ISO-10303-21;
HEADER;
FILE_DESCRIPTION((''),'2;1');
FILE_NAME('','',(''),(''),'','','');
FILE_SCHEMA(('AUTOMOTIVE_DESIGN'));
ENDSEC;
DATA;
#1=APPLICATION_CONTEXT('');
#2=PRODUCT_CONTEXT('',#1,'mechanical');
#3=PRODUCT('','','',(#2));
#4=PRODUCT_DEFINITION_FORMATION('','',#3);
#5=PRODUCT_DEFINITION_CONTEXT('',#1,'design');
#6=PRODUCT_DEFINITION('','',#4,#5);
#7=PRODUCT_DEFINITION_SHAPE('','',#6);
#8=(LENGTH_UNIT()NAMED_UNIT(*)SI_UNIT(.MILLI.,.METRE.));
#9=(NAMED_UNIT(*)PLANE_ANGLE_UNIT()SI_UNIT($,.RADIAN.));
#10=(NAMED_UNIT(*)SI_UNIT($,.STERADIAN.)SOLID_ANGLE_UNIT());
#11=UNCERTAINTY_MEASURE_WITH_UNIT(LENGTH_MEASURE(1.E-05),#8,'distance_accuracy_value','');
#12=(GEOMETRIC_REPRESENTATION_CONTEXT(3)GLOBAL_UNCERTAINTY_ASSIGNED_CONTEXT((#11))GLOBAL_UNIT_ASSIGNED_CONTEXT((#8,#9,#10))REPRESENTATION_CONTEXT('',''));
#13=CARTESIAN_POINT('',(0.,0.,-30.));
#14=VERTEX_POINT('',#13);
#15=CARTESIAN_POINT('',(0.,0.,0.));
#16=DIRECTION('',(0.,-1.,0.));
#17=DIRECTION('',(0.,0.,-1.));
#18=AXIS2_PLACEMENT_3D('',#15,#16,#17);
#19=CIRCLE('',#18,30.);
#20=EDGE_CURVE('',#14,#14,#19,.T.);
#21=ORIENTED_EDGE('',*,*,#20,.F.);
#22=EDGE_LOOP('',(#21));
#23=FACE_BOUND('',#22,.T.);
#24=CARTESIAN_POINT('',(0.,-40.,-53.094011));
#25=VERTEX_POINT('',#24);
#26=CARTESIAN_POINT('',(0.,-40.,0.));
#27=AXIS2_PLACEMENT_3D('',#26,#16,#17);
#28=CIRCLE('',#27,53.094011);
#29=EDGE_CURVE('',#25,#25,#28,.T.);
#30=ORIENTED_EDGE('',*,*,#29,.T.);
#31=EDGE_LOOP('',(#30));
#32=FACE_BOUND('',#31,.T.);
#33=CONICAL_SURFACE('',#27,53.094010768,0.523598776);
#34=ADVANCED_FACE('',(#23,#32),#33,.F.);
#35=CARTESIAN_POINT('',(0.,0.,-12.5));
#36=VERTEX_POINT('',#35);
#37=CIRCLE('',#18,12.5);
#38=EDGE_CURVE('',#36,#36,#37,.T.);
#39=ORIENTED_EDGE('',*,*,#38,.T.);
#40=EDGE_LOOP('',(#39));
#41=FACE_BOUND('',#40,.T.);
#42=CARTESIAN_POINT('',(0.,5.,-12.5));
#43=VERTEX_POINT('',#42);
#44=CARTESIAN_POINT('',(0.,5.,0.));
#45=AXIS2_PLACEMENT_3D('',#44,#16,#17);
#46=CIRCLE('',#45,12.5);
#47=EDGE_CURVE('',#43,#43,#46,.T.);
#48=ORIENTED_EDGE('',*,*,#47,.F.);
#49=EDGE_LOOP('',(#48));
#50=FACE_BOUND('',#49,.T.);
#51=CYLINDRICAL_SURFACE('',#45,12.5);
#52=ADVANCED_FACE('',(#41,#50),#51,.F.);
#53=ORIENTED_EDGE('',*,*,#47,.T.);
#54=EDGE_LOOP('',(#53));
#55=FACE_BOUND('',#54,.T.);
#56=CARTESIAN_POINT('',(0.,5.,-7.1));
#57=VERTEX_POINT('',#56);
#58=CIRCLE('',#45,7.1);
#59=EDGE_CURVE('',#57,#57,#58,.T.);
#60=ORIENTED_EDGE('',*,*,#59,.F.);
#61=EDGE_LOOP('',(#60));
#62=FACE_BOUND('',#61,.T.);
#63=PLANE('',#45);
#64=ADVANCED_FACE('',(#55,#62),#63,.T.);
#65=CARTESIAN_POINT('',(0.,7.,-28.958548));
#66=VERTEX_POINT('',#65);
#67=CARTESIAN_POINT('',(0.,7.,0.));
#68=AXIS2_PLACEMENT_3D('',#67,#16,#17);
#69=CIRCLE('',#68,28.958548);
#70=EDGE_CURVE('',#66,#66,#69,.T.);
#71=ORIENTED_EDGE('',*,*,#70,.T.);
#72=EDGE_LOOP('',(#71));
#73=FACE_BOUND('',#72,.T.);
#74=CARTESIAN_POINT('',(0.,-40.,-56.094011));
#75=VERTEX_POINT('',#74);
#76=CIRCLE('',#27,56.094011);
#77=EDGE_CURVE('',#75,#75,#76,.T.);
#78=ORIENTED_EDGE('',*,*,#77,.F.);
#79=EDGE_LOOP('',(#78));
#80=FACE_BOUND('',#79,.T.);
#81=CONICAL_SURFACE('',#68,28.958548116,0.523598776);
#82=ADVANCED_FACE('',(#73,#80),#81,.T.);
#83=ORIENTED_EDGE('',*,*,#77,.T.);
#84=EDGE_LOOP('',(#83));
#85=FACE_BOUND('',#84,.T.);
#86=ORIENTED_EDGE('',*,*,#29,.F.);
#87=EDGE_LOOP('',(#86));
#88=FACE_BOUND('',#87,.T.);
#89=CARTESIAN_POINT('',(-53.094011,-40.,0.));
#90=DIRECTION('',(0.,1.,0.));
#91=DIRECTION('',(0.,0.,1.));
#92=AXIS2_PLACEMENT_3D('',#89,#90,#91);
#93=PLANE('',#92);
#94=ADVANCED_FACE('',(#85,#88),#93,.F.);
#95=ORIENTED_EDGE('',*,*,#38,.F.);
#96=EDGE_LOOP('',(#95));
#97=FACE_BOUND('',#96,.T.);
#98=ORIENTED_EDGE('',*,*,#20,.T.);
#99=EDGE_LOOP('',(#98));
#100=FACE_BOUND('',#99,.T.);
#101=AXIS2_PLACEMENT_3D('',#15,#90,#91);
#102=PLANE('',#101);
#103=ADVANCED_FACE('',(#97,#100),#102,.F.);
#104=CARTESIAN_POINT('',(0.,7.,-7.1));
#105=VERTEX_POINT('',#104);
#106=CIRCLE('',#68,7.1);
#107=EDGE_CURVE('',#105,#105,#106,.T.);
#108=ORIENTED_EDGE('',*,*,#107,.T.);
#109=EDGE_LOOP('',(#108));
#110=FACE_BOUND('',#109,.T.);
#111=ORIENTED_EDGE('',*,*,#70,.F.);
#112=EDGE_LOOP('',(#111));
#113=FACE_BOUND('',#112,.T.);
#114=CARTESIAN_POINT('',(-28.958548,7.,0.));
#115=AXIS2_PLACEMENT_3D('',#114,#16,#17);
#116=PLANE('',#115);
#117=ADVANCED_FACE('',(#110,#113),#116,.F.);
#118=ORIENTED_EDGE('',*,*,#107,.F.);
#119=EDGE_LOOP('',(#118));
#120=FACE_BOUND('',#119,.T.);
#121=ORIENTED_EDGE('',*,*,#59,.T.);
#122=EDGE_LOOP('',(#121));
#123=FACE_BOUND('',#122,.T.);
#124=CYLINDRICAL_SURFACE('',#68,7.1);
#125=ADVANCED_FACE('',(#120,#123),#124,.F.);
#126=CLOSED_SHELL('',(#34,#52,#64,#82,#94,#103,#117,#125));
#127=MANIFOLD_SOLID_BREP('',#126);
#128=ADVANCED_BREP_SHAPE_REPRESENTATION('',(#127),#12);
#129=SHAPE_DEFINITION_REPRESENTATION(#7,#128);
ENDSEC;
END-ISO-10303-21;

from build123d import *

# Parameters (mm, degrees)
SKETCH_4_R          = 12.5
CUT_EXTRUDE_1_DEPTH = 5
SKETCH_5_R          = 7.1
CUT_EXTRUDE_2_DEPTH = 92.203487258


with BuildPart() as part:
    # 草图2 → 旋转1 (revolve)
    with BuildSketch(Plane.XY, mode=Mode.PRIVATE) as revolve_1_sk:
        Polygon((0, 0), (-30, 0), (-53.094010768, -40), (-56.094010768, -40), (-28.958548116, 7), (0, 7), align=None)
    revolve(revolve_1_sk.sketch.rotate(Axis((0, 0, 0), (0, 1, 0)), 270), axis=Axis((0, 0, 0), (0, 1, 0)))

    # 草图4 → 切除-拉伸1 (cut)
    with BuildSketch(Plane.XZ):
        with Locations(Location((0, 0, 0), (0, 0, 270))):
            Circle(SKETCH_4_R)
    extrude(amount=-CUT_EXTRUDE_1_DEPTH, mode=Mode.SUBTRACT)

    # 草图5 → 切除-拉伸2 (cut, through all)
    with BuildSketch(Plane.XZ.offset(-5)):
        with Locations(Location((0, 0, 0), (0, 0, 270))):
            Circle(SKETCH_5_R)
    extrude(amount=-CUT_EXTRUDE_2_DEPTH, mode=Mode.SUBTRACT)


solid = part.part
